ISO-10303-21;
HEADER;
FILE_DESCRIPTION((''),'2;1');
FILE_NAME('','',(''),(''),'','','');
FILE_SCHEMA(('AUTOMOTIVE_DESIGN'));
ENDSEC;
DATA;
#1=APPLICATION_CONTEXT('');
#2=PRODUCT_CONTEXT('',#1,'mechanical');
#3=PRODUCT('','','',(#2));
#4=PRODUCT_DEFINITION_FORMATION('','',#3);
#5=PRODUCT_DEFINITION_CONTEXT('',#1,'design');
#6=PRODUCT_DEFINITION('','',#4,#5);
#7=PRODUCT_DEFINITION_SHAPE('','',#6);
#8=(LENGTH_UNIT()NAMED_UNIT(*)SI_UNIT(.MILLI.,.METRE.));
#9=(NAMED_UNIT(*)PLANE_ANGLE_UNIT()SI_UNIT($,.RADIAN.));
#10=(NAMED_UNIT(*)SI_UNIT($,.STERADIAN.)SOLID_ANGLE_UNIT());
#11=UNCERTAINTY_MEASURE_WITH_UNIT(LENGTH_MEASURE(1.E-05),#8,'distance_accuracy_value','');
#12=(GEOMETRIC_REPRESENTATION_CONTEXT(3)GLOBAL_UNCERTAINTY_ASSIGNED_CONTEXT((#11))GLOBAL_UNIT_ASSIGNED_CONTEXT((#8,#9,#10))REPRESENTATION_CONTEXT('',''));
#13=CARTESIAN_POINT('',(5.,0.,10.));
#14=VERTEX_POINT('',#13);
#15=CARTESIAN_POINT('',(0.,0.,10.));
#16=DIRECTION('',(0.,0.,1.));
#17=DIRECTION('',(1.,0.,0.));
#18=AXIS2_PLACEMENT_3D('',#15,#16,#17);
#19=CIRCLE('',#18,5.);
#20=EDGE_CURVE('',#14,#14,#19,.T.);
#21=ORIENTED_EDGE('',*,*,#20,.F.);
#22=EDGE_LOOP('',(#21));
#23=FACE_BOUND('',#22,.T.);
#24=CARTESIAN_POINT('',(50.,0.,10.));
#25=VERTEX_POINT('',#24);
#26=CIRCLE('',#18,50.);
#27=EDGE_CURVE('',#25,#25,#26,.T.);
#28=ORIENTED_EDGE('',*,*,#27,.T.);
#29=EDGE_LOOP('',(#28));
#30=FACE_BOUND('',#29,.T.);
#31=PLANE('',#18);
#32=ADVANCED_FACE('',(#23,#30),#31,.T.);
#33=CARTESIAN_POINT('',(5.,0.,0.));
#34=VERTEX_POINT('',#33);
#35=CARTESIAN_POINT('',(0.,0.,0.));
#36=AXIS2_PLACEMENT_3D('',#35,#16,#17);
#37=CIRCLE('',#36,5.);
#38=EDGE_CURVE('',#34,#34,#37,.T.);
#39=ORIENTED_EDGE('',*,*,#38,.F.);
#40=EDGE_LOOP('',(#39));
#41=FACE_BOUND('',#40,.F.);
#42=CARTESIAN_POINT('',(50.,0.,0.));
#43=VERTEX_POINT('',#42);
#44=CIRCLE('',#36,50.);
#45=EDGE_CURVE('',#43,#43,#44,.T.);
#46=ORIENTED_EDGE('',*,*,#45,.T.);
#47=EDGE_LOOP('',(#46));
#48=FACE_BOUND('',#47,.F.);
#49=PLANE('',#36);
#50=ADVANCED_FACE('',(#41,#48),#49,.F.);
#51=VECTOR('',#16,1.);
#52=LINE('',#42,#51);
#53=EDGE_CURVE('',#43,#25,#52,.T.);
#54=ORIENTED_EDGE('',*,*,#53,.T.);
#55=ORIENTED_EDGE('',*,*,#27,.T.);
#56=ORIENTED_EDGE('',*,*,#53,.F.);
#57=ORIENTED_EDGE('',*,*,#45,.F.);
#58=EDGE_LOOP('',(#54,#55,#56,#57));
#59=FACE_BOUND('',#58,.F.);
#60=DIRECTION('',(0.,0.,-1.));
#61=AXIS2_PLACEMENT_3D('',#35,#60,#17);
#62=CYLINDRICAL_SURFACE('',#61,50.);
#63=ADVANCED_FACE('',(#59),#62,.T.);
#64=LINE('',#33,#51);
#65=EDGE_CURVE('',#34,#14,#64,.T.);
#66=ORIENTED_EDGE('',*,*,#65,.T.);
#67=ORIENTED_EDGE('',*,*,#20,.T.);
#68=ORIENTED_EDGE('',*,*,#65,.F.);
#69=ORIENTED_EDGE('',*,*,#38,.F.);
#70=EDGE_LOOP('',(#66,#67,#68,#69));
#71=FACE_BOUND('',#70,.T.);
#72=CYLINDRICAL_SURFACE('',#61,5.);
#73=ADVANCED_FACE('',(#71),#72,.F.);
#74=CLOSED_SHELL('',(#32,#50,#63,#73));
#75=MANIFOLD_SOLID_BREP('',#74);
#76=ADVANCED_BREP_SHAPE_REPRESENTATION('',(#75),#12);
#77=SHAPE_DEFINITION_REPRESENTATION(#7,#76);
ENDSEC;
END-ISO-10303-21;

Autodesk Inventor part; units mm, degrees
ref_plane "YZ Plane" through (0, 0, 0) normal (1, 0, 0) x (0, 1, 0)
ref_plane "XZ Plane" through (0, 0, 0) normal (0, 1, 0) x (-1, 0, 0)
ref_plane "XY Plane" through (0, 0, 0) normal (0, 0, 1) x (1, 0, 0)
sketch "Sketch1" plane through (0, 0, 0) normal (0, 0, 1) x (1, 0, 0)
  circle A0 centre (0, 0) radius 50
  circle A1 centre (0, 0) radius 5
  dimension "d0" = 100
  dimension "d1" = 10
extrude "Extrusion1" add sketch "Sketch1" along normal blind 10
properties part number "Wheel"
